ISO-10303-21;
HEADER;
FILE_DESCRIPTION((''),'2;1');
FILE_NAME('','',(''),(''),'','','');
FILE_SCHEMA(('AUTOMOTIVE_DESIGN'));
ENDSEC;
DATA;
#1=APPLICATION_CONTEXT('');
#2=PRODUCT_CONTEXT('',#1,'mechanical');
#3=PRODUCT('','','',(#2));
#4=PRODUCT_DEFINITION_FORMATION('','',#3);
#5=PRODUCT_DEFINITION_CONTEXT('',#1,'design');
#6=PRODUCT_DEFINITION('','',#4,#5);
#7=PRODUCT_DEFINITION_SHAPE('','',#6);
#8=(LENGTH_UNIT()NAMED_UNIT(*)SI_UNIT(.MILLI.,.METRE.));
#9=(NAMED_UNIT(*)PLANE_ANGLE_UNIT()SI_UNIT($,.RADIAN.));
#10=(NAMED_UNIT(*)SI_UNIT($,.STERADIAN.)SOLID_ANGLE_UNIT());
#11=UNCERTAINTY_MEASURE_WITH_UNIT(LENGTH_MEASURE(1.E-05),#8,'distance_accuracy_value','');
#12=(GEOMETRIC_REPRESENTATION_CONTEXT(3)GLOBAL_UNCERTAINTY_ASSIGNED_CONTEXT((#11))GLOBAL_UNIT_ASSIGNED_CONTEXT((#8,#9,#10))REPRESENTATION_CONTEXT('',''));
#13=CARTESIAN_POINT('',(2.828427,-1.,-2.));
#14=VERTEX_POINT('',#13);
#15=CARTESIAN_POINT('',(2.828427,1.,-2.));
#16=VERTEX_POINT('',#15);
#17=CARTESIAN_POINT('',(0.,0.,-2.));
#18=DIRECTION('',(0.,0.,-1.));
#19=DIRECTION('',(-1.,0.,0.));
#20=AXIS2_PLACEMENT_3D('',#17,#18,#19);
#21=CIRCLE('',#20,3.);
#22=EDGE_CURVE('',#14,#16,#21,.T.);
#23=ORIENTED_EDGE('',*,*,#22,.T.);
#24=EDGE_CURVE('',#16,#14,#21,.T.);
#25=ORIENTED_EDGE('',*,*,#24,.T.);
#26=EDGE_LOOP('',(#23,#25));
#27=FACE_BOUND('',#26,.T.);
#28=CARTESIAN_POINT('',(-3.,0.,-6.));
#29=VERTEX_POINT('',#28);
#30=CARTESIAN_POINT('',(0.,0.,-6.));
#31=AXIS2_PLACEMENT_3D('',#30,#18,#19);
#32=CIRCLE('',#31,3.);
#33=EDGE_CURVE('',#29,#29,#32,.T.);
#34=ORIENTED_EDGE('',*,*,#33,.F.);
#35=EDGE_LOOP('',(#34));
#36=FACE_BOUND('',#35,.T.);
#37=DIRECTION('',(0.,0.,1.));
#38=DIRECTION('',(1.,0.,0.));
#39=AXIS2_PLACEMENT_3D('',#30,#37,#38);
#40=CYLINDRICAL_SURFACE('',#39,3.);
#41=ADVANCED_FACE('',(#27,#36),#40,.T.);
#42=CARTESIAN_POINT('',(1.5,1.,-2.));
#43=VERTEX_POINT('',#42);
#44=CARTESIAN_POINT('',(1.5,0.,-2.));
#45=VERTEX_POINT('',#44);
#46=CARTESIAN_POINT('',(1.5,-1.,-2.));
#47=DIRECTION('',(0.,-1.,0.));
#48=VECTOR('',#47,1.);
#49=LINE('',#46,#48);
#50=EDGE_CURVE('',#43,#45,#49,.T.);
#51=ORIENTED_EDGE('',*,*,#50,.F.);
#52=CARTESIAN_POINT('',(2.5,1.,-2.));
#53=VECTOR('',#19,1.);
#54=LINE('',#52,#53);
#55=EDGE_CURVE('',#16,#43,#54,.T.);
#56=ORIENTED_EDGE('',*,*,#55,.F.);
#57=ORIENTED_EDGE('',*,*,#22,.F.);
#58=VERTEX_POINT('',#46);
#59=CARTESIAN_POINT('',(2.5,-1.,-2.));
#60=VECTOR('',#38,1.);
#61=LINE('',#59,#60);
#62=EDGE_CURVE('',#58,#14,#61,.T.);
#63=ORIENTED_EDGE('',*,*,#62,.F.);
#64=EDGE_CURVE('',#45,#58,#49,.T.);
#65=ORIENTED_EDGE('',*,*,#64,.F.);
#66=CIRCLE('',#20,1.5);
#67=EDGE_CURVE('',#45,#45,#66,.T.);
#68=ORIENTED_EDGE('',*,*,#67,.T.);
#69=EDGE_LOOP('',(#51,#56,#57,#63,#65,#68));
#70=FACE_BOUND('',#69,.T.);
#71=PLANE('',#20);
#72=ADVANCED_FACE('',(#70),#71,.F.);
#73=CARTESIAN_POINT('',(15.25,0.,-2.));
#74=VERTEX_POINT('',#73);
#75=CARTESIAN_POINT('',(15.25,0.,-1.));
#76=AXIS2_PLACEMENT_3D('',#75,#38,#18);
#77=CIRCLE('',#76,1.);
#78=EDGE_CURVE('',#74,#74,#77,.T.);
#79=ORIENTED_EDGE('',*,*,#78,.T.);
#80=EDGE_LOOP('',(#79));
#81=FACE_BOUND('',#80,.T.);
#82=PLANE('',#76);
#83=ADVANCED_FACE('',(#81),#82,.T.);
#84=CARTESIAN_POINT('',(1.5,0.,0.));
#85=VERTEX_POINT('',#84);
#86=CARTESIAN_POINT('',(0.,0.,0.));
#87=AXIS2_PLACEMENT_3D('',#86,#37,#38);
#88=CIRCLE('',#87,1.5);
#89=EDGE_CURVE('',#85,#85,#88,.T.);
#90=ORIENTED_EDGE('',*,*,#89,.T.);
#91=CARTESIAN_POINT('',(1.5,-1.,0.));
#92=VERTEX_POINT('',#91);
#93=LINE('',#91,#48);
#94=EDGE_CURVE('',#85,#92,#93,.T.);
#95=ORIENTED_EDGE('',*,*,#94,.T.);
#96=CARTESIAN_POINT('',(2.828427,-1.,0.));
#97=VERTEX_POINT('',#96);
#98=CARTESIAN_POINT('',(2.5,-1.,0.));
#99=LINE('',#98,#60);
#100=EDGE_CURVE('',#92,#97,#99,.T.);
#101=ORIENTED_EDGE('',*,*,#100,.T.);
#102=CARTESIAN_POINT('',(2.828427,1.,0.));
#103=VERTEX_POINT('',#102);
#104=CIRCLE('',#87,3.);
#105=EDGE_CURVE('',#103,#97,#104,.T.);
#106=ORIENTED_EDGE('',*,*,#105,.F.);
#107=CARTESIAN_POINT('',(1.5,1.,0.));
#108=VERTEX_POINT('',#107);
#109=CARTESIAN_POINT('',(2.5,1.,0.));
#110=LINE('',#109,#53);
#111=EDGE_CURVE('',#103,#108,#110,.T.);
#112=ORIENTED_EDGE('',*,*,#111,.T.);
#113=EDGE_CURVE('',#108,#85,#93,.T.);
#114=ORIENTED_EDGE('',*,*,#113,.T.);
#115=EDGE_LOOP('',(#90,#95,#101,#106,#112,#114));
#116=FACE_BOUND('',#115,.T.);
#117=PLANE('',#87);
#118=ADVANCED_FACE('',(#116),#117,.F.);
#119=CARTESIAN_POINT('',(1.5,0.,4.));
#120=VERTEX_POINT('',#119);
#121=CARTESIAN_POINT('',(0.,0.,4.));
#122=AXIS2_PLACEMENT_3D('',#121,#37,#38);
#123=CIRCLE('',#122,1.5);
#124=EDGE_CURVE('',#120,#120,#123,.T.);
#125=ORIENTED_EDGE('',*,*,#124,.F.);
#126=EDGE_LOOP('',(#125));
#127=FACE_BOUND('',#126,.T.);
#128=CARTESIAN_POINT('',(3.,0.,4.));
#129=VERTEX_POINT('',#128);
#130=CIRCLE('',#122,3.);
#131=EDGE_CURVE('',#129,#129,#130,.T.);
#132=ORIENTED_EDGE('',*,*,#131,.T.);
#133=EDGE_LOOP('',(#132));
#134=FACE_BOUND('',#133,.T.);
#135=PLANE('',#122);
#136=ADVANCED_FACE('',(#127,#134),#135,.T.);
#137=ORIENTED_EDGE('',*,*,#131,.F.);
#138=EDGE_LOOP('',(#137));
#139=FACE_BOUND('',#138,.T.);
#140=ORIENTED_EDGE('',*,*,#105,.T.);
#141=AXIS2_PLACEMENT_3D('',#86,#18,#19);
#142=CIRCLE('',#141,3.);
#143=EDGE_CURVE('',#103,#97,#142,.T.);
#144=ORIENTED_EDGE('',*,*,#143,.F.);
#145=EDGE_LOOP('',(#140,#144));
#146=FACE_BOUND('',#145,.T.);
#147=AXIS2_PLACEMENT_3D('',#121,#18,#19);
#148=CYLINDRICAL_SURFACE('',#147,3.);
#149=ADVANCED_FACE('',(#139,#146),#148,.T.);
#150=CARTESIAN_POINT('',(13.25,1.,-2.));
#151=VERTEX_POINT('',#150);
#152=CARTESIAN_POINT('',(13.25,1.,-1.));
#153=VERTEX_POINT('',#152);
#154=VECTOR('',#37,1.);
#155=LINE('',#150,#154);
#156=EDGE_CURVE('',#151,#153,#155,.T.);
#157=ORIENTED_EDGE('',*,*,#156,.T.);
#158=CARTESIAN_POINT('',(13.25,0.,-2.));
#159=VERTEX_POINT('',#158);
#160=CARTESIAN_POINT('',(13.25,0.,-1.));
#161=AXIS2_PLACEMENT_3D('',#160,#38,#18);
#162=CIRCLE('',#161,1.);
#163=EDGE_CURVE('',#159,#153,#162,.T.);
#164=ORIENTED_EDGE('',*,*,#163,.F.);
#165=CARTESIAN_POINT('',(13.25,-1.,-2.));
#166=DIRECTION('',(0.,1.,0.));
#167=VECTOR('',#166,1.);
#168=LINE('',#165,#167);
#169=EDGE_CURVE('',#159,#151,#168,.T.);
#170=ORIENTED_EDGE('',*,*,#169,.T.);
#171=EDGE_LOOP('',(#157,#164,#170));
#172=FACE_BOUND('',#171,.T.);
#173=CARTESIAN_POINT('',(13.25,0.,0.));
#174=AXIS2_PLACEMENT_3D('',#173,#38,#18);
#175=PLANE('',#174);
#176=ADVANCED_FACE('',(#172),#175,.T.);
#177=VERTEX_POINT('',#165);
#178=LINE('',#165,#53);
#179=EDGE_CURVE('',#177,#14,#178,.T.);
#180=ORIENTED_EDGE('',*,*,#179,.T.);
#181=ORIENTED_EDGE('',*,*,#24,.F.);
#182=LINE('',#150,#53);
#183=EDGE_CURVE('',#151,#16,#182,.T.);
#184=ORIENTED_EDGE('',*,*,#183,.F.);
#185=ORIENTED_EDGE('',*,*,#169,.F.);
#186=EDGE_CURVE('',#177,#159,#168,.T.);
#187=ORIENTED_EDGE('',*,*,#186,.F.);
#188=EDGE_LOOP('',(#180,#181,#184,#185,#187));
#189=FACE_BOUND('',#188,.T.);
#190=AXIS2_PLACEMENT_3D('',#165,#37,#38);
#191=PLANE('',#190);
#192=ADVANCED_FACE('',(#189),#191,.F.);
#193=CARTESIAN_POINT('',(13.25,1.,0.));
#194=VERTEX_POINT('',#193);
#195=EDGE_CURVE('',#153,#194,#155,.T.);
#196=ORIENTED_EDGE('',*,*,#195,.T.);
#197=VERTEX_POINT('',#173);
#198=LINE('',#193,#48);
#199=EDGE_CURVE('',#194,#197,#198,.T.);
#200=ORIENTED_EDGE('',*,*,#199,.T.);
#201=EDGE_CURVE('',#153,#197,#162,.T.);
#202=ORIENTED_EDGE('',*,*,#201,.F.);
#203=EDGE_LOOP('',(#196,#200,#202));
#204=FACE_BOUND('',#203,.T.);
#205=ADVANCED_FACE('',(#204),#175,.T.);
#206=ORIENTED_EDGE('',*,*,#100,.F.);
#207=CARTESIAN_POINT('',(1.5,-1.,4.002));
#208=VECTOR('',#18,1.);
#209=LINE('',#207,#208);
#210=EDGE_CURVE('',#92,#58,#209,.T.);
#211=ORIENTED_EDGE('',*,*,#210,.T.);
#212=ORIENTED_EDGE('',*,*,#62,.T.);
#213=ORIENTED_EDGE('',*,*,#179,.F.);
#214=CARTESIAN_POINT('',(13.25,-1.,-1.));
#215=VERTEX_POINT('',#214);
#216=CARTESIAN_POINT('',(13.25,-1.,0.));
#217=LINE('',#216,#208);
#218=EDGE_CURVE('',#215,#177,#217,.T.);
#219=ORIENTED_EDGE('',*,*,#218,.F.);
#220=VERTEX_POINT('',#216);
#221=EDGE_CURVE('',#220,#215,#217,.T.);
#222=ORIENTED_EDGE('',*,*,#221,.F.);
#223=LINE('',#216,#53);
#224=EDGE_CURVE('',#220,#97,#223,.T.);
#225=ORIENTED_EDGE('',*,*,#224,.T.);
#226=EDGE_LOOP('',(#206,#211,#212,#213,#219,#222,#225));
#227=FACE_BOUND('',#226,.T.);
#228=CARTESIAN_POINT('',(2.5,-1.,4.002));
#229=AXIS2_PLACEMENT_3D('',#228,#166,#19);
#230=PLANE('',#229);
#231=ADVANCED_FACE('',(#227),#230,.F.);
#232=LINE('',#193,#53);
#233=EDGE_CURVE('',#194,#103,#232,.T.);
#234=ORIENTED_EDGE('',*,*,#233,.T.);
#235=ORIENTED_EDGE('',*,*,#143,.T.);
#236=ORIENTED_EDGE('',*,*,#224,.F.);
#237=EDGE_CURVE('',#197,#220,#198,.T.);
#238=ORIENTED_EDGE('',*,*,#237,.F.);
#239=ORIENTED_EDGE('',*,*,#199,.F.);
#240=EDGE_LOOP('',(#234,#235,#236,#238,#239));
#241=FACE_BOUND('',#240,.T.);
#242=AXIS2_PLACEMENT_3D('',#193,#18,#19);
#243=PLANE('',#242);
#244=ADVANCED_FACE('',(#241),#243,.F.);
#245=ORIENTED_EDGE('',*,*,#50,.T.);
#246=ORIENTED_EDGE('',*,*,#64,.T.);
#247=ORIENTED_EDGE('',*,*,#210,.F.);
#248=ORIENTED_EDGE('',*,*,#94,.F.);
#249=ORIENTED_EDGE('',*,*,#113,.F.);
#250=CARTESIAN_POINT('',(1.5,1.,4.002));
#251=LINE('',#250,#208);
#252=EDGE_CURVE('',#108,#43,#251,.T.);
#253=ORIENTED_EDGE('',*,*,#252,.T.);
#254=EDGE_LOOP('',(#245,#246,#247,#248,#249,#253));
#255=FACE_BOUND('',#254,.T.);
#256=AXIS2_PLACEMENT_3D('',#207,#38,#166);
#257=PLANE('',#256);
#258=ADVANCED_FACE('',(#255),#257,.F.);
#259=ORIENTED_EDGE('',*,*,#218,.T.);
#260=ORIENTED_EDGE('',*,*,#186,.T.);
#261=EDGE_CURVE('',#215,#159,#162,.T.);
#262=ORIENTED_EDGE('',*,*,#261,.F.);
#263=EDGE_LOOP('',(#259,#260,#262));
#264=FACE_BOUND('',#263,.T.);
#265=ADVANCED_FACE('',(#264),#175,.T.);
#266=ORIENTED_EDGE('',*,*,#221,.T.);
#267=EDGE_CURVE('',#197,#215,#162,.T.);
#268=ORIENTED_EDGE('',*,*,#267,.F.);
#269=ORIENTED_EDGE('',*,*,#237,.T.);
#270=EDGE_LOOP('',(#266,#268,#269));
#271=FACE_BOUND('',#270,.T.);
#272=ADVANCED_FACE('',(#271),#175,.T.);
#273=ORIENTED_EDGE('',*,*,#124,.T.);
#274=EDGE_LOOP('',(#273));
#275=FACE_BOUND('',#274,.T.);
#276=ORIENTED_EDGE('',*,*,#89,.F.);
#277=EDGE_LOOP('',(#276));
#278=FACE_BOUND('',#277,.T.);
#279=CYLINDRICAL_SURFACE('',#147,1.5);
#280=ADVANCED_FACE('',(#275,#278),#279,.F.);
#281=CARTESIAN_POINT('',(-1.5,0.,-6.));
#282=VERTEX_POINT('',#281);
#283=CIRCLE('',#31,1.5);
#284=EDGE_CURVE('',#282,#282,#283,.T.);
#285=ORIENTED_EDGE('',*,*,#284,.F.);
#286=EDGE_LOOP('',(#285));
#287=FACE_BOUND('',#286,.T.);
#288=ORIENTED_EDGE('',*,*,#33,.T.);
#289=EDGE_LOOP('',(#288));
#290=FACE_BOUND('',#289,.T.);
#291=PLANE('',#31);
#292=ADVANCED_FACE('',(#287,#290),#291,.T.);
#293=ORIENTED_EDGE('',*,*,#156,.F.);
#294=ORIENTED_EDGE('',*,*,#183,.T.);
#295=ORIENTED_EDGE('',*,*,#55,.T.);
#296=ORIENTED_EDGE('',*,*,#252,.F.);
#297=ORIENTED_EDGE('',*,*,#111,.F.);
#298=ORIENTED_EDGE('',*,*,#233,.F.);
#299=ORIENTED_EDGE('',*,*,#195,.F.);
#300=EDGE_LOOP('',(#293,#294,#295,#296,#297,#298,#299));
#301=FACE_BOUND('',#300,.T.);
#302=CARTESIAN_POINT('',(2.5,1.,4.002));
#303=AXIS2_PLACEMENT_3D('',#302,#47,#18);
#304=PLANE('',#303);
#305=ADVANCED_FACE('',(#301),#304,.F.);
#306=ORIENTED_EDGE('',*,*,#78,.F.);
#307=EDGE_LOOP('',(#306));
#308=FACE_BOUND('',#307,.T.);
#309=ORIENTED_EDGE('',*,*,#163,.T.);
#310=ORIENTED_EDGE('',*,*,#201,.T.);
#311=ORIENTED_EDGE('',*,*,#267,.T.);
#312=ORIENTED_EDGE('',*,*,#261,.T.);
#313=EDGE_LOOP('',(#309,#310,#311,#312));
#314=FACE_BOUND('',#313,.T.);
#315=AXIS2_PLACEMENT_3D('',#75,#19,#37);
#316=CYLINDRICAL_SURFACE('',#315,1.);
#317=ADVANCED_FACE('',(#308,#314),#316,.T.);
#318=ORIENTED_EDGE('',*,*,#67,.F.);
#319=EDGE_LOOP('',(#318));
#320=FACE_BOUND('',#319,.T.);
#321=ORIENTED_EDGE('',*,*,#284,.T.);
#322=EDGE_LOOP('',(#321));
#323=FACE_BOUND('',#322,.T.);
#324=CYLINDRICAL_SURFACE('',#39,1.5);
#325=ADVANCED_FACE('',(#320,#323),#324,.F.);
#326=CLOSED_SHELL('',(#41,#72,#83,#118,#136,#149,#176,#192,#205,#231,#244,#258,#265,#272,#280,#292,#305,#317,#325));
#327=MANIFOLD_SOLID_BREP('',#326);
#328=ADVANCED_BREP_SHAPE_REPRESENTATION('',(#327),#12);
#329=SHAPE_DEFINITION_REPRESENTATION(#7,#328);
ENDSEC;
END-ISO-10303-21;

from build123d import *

# Parameters (mm, degrees)
SKETCH1_R           = 3
SKETCH1_R_2         = 1.5
BOSS_EXTRUDE1_DEPTH = 4
SKETCH2_R           = 3
SKETCH2_R_2         = 1.5
BOSS_EXTRUDE2_DEPTH = 4
BOSS_EXTRUDE3_REACH = 9.348
SKETCH3_W           = 1
SKETCH3_H           = 2
SKETCH4_W           = 2
SKETCH4_H           = 2
BOSS_EXTRUDE4_DEPTH = 10.75
SKETCH6_R           = 1
BOSS_EXTRUDE5_DEPTH = 2


with BuildPart() as part:
    # Sketch1 → Boss-Extrude1 (new body)
    with BuildSketch(Plane.XY):
        Circle(SKETCH1_R)
        Circle(SKETCH1_R_2, mode=Mode.SUBTRACT)
    extrude(amount=BOSS_EXTRUDE1_DEPTH)

    # Sketch3 → Boss-Extrude3 (add, up to next)
    with BuildSketch(Plane.XY.offset(-2), mode=Mode.PRIVATE) as boss_extrude3_sk1:
        with Locations((2, 0)):
            Rectangle(SKETCH3_W, SKETCH3_H)
    boss_extrude3_tool1 = extrude(boss_extrude3_sk1.sketch, amount=BOSS_EXTRUDE3_REACH, mode=Mode.PRIVATE) - part.part


with BuildPart() as body_2:
    # Sketch2 → Boss-Extrude2 (new body)
    with BuildSketch(Plane(origin=(0, 0, -2), x_dir=(-1, 0, 0), z_dir=(0, 0, -1))):
        with Locations(Location((0, 0, 0), (0, 0, 180))):
            Circle(SKETCH2_R)
        with Locations(Location((0, 0, 0), (0, 0, 180))):
            Circle(SKETCH2_R_2, mode=Mode.SUBTRACT)
    extrude(amount=BOSS_EXTRUDE2_DEPTH)


with BuildPart() as part_1:
    add(part.part)

    add(body_2.part)  # Boss-Extrude3 merges body 2
    add(boss_extrude3_tool1.solids().sort_by_distance((2, 0, -2))[0])

    # Sketch4 → Boss-Extrude4 (add)
    with BuildSketch(Plane(origin=(2.5, 0, 0), x_dir=(0, 0, -1), z_dir=(1, 0, 0))):
        with Locations((1, 0)):
            Rectangle(SKETCH4_W, SKETCH4_H)
    extrude(amount=BOSS_EXTRUDE4_DEPTH)

    # Sketch6 → Boss-Extrude5 (add)
    with BuildSketch(Plane(origin=(13.25, 0, 0), x_dir=(0, 0, -1), z_dir=(1, 0, 0))):
        with Locations((1, 0)):
            Circle(SKETCH6_R)
    extrude(amount=BOSS_EXTRUDE5_DEPTH)


solid = part_1.part
